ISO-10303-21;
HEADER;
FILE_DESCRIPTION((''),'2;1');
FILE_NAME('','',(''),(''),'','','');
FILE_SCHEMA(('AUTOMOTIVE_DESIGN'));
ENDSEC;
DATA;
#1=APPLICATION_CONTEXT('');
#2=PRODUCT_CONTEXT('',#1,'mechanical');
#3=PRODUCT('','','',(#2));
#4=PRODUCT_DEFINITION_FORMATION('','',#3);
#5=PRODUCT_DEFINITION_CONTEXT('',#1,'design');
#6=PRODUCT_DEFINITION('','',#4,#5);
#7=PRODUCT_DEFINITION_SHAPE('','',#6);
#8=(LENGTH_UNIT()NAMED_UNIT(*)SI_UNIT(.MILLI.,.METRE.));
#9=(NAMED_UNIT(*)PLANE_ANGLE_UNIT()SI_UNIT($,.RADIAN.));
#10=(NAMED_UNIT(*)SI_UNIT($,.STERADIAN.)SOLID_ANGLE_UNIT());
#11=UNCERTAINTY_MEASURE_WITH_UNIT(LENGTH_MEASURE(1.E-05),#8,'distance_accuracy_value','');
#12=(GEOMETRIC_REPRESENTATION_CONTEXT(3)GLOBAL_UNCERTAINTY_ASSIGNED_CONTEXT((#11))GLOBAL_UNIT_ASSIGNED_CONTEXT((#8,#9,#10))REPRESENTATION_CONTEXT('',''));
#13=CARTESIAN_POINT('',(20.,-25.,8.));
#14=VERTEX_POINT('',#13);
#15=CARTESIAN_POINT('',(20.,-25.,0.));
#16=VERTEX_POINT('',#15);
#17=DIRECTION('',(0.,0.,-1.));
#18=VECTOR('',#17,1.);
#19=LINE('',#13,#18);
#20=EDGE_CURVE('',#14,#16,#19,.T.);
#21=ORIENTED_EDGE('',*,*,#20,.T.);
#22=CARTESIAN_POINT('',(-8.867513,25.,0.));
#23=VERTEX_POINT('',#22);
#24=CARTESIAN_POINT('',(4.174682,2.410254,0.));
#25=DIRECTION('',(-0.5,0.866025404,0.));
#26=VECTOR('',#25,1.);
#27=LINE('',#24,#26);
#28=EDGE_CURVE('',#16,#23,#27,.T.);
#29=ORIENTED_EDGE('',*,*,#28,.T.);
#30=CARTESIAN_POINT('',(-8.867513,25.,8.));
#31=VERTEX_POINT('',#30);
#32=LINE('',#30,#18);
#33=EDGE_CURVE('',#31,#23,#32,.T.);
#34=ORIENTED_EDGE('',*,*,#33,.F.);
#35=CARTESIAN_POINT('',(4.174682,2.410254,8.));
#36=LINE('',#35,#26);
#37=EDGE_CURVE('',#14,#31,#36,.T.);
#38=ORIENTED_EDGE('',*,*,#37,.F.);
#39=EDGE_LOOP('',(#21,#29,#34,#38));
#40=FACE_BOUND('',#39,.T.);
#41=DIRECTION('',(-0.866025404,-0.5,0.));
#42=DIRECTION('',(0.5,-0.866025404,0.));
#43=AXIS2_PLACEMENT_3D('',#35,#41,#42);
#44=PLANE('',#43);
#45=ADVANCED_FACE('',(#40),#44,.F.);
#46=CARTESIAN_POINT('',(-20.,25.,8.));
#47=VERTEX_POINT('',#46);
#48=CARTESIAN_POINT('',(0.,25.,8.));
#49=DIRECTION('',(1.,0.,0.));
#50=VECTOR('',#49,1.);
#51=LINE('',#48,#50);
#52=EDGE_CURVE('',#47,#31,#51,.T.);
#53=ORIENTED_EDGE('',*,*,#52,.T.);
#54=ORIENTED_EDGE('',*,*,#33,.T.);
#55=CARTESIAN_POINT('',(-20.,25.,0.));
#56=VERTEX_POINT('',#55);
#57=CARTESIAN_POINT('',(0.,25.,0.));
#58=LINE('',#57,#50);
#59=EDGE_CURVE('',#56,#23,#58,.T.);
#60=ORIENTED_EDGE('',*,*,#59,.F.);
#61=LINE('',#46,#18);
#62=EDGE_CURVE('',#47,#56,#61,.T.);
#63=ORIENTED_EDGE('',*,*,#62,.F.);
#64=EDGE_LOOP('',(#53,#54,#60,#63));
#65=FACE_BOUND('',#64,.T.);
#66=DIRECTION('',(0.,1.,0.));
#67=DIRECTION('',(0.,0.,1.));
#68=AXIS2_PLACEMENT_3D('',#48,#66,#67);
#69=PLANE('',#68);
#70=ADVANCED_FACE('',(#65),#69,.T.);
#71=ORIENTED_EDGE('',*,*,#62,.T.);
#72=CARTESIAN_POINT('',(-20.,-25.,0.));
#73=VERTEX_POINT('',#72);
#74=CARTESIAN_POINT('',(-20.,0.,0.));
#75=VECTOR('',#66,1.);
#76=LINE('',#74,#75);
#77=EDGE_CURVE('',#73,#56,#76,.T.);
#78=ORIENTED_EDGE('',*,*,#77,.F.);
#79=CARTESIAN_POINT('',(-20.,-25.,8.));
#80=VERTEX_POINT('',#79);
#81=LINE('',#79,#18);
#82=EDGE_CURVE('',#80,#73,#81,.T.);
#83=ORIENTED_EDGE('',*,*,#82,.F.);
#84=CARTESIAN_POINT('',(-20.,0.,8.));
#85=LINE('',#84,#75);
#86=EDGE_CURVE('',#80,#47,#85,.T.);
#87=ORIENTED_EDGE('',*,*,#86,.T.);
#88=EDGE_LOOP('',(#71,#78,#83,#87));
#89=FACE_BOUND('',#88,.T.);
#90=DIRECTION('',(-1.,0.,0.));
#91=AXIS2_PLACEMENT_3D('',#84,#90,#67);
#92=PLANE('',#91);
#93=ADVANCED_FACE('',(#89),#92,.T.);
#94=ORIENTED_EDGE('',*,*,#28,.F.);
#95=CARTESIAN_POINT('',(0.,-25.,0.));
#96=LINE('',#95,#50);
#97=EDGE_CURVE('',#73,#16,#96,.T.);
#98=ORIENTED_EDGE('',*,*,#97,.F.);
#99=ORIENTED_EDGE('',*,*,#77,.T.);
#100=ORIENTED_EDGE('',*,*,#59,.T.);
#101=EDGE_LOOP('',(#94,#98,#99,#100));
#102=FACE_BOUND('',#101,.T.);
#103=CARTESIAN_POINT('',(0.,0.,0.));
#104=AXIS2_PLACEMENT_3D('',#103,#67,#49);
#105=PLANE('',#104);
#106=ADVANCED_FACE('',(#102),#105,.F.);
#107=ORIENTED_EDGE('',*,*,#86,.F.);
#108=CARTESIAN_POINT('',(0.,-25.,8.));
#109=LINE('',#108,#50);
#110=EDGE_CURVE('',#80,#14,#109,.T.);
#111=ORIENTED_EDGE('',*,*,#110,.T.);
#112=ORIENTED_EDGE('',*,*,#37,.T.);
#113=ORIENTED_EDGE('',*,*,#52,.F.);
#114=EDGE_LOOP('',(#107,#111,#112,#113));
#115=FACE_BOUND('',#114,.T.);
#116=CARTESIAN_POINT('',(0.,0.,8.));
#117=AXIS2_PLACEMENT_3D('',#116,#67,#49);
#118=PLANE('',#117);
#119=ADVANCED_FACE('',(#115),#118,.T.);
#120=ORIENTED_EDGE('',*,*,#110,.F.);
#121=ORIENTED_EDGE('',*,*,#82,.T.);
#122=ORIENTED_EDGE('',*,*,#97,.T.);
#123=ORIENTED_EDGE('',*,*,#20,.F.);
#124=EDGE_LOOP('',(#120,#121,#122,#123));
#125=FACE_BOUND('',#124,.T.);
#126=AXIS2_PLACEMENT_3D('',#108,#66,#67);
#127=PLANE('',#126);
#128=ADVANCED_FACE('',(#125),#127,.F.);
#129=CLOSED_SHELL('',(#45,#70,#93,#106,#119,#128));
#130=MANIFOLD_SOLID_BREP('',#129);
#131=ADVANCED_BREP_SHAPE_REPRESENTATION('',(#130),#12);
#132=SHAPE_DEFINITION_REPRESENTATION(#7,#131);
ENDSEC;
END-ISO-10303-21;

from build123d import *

# Parameters (mm, degrees)
BOSS_EXTRUDE1_DEPTH = 8


with BuildPart() as part:
    # Sketch1 → Boss-Extrude1 (new body)
    with BuildSketch(Plane.XY):
        Polygon((-20, -25), (20, -25), (-8.867513459, 25), (-20, 25), align=None)
    extrude(amount=BOSS_EXTRUDE1_DEPTH)


solid = part.part
